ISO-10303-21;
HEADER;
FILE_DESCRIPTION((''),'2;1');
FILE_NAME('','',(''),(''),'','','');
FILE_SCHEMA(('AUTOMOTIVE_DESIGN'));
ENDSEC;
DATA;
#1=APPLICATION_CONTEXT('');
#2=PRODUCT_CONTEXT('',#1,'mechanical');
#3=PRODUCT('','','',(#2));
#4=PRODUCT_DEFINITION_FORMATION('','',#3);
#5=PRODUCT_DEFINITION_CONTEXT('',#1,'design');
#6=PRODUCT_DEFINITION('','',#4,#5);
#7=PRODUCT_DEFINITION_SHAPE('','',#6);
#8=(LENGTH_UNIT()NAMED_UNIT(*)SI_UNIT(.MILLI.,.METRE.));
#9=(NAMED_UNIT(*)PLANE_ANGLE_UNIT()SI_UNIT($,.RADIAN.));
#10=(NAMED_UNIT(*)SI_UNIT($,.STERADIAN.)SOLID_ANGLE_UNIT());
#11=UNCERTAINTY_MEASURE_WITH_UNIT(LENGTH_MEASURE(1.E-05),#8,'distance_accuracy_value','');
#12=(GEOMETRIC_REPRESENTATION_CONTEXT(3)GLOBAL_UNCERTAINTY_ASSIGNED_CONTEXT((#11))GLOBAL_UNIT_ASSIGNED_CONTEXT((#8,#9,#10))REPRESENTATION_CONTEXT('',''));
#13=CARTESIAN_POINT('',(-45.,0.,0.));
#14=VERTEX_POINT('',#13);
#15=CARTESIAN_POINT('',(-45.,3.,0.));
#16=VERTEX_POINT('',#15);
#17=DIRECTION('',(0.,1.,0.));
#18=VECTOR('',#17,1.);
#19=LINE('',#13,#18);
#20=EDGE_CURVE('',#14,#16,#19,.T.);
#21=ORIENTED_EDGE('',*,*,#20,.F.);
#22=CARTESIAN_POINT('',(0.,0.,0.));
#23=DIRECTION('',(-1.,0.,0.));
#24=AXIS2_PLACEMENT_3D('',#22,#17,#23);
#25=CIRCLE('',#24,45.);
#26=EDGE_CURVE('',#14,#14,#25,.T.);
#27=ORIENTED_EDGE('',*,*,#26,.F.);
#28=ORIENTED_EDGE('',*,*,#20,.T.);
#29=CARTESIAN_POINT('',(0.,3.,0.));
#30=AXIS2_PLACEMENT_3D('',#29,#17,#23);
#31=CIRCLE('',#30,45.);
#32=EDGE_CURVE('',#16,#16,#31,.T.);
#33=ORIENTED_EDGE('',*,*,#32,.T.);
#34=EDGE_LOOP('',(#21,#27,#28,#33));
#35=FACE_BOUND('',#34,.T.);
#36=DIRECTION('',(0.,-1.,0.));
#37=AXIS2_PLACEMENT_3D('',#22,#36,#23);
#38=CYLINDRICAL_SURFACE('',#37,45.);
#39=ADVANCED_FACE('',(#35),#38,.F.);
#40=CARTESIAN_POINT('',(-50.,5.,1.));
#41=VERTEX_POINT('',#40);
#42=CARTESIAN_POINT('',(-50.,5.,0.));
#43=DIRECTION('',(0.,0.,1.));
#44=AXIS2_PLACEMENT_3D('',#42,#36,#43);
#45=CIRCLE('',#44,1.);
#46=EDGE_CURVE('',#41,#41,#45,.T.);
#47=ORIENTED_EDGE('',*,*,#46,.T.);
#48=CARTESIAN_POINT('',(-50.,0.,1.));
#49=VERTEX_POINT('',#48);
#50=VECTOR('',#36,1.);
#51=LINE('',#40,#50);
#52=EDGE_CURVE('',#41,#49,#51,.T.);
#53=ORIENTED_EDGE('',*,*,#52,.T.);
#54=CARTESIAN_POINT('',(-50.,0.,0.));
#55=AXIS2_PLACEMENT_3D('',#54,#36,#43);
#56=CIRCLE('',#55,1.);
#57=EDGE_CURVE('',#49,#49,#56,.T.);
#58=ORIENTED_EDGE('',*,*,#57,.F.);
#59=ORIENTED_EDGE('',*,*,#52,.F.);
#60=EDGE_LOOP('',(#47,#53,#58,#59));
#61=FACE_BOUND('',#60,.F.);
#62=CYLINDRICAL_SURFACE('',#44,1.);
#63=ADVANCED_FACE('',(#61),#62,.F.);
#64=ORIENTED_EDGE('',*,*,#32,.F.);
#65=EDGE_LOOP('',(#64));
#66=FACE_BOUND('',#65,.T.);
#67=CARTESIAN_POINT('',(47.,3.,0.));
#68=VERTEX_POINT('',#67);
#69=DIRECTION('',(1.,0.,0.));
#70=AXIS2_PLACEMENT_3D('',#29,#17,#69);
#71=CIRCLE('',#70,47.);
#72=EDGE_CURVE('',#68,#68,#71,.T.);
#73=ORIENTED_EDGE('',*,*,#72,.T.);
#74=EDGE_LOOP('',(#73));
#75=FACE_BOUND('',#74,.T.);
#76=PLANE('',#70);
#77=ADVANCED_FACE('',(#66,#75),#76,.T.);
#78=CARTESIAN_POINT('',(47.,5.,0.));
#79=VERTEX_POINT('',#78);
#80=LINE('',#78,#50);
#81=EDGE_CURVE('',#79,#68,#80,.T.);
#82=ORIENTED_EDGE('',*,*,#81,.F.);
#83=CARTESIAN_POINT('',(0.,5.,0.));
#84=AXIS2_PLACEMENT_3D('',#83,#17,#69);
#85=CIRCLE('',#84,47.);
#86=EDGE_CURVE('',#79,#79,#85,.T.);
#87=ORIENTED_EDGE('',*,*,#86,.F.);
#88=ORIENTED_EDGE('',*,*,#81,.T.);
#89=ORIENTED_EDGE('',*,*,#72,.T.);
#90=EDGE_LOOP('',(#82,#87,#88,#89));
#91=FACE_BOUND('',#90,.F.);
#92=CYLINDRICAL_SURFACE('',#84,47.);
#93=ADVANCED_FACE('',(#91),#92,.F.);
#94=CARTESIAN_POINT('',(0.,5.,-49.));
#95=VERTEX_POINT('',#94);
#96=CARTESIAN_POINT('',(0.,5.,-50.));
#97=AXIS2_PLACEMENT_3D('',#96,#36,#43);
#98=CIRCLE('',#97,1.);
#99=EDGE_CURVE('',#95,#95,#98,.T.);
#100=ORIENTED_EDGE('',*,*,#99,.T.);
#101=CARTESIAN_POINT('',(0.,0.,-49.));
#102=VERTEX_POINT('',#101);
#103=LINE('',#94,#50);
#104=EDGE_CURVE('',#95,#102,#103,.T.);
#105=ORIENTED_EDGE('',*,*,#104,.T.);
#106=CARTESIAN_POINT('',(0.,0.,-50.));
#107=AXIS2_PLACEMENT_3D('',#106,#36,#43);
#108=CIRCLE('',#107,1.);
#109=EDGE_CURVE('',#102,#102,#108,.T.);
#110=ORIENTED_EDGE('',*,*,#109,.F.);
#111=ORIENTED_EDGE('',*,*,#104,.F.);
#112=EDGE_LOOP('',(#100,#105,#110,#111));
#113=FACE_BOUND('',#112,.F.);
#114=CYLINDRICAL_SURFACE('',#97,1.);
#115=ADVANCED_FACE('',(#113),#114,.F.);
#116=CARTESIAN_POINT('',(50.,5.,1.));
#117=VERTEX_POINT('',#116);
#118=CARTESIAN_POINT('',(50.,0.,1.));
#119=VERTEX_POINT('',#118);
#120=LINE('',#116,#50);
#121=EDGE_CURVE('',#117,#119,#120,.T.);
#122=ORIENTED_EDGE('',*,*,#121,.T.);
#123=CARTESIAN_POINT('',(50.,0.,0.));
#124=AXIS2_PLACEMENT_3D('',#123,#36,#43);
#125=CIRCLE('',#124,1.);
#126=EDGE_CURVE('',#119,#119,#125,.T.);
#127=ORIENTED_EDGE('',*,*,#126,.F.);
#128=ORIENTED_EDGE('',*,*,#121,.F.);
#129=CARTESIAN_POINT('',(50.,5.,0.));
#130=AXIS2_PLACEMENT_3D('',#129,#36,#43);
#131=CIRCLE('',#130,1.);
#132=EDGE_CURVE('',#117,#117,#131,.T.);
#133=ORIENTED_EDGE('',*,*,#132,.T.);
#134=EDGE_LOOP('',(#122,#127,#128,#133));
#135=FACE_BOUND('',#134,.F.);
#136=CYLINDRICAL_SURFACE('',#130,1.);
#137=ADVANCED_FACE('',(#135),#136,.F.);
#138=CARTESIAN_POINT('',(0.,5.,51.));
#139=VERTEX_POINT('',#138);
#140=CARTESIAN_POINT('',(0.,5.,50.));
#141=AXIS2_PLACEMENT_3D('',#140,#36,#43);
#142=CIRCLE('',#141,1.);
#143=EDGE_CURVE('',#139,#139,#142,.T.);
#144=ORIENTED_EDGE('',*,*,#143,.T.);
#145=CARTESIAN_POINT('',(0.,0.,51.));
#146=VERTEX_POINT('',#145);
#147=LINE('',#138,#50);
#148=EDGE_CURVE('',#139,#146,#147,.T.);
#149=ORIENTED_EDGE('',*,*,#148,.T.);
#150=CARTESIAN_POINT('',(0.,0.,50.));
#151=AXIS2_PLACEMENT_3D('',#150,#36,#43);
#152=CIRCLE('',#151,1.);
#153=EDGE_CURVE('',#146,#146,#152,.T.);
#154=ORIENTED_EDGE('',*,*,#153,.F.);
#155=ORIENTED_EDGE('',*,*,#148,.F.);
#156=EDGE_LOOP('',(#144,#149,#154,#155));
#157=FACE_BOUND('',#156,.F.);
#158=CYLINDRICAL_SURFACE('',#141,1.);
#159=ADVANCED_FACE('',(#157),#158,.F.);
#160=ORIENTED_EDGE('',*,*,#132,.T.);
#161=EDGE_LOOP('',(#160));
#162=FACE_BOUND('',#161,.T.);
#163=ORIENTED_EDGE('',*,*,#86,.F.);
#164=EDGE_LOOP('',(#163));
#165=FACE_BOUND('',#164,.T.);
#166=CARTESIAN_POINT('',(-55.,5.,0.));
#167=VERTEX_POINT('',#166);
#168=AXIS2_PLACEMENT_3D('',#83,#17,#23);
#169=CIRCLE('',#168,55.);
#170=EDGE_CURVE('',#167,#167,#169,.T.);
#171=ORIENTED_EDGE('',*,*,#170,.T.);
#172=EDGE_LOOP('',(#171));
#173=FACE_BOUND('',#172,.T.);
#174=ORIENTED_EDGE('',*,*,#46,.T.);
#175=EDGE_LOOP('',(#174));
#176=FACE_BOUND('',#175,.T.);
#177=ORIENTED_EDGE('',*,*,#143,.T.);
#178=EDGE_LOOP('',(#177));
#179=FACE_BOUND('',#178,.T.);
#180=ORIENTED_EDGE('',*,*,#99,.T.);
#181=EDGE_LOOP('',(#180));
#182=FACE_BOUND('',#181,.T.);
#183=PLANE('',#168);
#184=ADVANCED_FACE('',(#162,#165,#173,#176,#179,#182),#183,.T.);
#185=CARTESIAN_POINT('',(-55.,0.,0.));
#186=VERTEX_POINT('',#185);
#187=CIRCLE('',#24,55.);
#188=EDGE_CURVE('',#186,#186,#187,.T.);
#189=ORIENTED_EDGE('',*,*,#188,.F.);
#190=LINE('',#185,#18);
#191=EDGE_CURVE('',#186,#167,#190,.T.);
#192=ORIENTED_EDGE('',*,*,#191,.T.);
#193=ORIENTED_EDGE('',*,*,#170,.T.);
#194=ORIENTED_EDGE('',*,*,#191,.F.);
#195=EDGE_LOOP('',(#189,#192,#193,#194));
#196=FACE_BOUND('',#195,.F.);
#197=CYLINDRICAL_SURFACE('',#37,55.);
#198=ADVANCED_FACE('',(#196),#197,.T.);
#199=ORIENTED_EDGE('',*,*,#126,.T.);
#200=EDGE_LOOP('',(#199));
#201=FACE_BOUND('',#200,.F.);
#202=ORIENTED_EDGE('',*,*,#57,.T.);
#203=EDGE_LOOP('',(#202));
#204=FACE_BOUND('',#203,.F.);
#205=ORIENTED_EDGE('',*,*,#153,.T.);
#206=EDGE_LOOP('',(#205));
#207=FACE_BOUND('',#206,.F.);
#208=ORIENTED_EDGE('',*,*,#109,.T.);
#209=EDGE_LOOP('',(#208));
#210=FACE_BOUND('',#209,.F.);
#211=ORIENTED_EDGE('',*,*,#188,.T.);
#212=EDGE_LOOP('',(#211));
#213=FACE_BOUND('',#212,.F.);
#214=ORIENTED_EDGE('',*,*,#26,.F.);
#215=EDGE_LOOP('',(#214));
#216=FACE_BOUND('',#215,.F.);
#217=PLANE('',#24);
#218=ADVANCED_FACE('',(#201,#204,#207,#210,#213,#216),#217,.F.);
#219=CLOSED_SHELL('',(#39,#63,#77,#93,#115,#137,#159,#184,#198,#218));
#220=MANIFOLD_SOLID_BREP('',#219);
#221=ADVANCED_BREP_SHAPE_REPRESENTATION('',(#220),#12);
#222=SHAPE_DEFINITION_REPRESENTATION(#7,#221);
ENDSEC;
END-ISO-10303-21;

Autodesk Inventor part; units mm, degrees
ref_plane "YZ Plane" through (0, 0, 0) normal (1, 0, 0) x (0, 1, 0)
ref_plane "XZ Plane" through (0, 0, 0) normal (0, 1, 0) x (-1, 0, 0)
ref_plane "XY Plane" through (0, 0, 0) normal (0, 0, 1) x (1, 0, 0)
sketch "Sketch1" plane through (0, 0, 0) normal (0, 1, 0) x (-1, 0, 0)
  circle A0 centre (0, 0) radius 45
  circle A1 centre (0, 0) radius 55
  dimension "d0" = 90
  dimension "d1" = 110
extrude "Extrusion1" add sketch "Sketch1" along normal blind 5
sketch "Sketch2" plane through (0, 5, 0) normal (0, 1, 0) x (1, 0, 0)
  circle A0 centre (0, 0) radius 45
  circle A1 centre (0, 0) radius 47
  dimension "d4" = 90
  dimension "d5" = 94
extrude "Extrusion2" cut sketch "Sketch2" against normal blind 2
sketch "Sketch3" plane through (0, 5, 0) normal (0, 1, 0) x (1, 0, 0)
  circle A0 centre (0, -50) radius 1
  circle A1 centre (0, 0) radius 55 projected
  dimension "d8" = 2
  dimension "d9" = 50
hole "Hole1" at (0, 5, 50) direction (0, -1, 0) diameter 2 end through all
sketch "Sketch4" plane through (0, 5, 0) normal (0, 1, 0) x (1, 0, 0)
  circle A0 centre (-50, 0) radius 1
  point P0 (0, 0)
  dimension "d17" = 2
  dimension "d18" = 50
sketch "Sketch5" plane through (0, 5, 0) normal (0, 1, 0) x (1, 0, 0)
  circle A0 centre (0, 50) radius 1
  point P0 (0, 0)
  dimension "d19" = 2
  dimension "d20" = 50
sketch "Sketch6" plane through (0, 5, 0) normal (0, 1, 0) x (1, 0, 0)
  circle A0 centre (50, 0) radius 1
  point P0 (0, 0)
  dimension "d21" = 2
  dimension "d22" = 50
hole "Hole2" at (-50, 5, 0) direction (0, -1, 0) diameter 2 end through all
hole "Hole3" at (0, 5, -50) direction (0, -1, 0) diameter 2 end through all
hole "Hole4" at (50, 5, 0) direction (0, -1, 0) diameter 2 end through all
thread "Thread1" size "2-56 UNC" class "2B" standard "ANSI Unified Screw Threads" full length
thread "Thread2" size "2-56 UNC" class "2B" standard "ANSI Unified Screw Threads" full length
thread "Thread3" size "2-56 UNC" class "2B" standard "ANSI Unified Screw Threads" full length
thread "Thread4" size "2-56 UNC" class "2B" standard "ANSI Unified Screw Threads" full length
properties part number "Mirror Support"
